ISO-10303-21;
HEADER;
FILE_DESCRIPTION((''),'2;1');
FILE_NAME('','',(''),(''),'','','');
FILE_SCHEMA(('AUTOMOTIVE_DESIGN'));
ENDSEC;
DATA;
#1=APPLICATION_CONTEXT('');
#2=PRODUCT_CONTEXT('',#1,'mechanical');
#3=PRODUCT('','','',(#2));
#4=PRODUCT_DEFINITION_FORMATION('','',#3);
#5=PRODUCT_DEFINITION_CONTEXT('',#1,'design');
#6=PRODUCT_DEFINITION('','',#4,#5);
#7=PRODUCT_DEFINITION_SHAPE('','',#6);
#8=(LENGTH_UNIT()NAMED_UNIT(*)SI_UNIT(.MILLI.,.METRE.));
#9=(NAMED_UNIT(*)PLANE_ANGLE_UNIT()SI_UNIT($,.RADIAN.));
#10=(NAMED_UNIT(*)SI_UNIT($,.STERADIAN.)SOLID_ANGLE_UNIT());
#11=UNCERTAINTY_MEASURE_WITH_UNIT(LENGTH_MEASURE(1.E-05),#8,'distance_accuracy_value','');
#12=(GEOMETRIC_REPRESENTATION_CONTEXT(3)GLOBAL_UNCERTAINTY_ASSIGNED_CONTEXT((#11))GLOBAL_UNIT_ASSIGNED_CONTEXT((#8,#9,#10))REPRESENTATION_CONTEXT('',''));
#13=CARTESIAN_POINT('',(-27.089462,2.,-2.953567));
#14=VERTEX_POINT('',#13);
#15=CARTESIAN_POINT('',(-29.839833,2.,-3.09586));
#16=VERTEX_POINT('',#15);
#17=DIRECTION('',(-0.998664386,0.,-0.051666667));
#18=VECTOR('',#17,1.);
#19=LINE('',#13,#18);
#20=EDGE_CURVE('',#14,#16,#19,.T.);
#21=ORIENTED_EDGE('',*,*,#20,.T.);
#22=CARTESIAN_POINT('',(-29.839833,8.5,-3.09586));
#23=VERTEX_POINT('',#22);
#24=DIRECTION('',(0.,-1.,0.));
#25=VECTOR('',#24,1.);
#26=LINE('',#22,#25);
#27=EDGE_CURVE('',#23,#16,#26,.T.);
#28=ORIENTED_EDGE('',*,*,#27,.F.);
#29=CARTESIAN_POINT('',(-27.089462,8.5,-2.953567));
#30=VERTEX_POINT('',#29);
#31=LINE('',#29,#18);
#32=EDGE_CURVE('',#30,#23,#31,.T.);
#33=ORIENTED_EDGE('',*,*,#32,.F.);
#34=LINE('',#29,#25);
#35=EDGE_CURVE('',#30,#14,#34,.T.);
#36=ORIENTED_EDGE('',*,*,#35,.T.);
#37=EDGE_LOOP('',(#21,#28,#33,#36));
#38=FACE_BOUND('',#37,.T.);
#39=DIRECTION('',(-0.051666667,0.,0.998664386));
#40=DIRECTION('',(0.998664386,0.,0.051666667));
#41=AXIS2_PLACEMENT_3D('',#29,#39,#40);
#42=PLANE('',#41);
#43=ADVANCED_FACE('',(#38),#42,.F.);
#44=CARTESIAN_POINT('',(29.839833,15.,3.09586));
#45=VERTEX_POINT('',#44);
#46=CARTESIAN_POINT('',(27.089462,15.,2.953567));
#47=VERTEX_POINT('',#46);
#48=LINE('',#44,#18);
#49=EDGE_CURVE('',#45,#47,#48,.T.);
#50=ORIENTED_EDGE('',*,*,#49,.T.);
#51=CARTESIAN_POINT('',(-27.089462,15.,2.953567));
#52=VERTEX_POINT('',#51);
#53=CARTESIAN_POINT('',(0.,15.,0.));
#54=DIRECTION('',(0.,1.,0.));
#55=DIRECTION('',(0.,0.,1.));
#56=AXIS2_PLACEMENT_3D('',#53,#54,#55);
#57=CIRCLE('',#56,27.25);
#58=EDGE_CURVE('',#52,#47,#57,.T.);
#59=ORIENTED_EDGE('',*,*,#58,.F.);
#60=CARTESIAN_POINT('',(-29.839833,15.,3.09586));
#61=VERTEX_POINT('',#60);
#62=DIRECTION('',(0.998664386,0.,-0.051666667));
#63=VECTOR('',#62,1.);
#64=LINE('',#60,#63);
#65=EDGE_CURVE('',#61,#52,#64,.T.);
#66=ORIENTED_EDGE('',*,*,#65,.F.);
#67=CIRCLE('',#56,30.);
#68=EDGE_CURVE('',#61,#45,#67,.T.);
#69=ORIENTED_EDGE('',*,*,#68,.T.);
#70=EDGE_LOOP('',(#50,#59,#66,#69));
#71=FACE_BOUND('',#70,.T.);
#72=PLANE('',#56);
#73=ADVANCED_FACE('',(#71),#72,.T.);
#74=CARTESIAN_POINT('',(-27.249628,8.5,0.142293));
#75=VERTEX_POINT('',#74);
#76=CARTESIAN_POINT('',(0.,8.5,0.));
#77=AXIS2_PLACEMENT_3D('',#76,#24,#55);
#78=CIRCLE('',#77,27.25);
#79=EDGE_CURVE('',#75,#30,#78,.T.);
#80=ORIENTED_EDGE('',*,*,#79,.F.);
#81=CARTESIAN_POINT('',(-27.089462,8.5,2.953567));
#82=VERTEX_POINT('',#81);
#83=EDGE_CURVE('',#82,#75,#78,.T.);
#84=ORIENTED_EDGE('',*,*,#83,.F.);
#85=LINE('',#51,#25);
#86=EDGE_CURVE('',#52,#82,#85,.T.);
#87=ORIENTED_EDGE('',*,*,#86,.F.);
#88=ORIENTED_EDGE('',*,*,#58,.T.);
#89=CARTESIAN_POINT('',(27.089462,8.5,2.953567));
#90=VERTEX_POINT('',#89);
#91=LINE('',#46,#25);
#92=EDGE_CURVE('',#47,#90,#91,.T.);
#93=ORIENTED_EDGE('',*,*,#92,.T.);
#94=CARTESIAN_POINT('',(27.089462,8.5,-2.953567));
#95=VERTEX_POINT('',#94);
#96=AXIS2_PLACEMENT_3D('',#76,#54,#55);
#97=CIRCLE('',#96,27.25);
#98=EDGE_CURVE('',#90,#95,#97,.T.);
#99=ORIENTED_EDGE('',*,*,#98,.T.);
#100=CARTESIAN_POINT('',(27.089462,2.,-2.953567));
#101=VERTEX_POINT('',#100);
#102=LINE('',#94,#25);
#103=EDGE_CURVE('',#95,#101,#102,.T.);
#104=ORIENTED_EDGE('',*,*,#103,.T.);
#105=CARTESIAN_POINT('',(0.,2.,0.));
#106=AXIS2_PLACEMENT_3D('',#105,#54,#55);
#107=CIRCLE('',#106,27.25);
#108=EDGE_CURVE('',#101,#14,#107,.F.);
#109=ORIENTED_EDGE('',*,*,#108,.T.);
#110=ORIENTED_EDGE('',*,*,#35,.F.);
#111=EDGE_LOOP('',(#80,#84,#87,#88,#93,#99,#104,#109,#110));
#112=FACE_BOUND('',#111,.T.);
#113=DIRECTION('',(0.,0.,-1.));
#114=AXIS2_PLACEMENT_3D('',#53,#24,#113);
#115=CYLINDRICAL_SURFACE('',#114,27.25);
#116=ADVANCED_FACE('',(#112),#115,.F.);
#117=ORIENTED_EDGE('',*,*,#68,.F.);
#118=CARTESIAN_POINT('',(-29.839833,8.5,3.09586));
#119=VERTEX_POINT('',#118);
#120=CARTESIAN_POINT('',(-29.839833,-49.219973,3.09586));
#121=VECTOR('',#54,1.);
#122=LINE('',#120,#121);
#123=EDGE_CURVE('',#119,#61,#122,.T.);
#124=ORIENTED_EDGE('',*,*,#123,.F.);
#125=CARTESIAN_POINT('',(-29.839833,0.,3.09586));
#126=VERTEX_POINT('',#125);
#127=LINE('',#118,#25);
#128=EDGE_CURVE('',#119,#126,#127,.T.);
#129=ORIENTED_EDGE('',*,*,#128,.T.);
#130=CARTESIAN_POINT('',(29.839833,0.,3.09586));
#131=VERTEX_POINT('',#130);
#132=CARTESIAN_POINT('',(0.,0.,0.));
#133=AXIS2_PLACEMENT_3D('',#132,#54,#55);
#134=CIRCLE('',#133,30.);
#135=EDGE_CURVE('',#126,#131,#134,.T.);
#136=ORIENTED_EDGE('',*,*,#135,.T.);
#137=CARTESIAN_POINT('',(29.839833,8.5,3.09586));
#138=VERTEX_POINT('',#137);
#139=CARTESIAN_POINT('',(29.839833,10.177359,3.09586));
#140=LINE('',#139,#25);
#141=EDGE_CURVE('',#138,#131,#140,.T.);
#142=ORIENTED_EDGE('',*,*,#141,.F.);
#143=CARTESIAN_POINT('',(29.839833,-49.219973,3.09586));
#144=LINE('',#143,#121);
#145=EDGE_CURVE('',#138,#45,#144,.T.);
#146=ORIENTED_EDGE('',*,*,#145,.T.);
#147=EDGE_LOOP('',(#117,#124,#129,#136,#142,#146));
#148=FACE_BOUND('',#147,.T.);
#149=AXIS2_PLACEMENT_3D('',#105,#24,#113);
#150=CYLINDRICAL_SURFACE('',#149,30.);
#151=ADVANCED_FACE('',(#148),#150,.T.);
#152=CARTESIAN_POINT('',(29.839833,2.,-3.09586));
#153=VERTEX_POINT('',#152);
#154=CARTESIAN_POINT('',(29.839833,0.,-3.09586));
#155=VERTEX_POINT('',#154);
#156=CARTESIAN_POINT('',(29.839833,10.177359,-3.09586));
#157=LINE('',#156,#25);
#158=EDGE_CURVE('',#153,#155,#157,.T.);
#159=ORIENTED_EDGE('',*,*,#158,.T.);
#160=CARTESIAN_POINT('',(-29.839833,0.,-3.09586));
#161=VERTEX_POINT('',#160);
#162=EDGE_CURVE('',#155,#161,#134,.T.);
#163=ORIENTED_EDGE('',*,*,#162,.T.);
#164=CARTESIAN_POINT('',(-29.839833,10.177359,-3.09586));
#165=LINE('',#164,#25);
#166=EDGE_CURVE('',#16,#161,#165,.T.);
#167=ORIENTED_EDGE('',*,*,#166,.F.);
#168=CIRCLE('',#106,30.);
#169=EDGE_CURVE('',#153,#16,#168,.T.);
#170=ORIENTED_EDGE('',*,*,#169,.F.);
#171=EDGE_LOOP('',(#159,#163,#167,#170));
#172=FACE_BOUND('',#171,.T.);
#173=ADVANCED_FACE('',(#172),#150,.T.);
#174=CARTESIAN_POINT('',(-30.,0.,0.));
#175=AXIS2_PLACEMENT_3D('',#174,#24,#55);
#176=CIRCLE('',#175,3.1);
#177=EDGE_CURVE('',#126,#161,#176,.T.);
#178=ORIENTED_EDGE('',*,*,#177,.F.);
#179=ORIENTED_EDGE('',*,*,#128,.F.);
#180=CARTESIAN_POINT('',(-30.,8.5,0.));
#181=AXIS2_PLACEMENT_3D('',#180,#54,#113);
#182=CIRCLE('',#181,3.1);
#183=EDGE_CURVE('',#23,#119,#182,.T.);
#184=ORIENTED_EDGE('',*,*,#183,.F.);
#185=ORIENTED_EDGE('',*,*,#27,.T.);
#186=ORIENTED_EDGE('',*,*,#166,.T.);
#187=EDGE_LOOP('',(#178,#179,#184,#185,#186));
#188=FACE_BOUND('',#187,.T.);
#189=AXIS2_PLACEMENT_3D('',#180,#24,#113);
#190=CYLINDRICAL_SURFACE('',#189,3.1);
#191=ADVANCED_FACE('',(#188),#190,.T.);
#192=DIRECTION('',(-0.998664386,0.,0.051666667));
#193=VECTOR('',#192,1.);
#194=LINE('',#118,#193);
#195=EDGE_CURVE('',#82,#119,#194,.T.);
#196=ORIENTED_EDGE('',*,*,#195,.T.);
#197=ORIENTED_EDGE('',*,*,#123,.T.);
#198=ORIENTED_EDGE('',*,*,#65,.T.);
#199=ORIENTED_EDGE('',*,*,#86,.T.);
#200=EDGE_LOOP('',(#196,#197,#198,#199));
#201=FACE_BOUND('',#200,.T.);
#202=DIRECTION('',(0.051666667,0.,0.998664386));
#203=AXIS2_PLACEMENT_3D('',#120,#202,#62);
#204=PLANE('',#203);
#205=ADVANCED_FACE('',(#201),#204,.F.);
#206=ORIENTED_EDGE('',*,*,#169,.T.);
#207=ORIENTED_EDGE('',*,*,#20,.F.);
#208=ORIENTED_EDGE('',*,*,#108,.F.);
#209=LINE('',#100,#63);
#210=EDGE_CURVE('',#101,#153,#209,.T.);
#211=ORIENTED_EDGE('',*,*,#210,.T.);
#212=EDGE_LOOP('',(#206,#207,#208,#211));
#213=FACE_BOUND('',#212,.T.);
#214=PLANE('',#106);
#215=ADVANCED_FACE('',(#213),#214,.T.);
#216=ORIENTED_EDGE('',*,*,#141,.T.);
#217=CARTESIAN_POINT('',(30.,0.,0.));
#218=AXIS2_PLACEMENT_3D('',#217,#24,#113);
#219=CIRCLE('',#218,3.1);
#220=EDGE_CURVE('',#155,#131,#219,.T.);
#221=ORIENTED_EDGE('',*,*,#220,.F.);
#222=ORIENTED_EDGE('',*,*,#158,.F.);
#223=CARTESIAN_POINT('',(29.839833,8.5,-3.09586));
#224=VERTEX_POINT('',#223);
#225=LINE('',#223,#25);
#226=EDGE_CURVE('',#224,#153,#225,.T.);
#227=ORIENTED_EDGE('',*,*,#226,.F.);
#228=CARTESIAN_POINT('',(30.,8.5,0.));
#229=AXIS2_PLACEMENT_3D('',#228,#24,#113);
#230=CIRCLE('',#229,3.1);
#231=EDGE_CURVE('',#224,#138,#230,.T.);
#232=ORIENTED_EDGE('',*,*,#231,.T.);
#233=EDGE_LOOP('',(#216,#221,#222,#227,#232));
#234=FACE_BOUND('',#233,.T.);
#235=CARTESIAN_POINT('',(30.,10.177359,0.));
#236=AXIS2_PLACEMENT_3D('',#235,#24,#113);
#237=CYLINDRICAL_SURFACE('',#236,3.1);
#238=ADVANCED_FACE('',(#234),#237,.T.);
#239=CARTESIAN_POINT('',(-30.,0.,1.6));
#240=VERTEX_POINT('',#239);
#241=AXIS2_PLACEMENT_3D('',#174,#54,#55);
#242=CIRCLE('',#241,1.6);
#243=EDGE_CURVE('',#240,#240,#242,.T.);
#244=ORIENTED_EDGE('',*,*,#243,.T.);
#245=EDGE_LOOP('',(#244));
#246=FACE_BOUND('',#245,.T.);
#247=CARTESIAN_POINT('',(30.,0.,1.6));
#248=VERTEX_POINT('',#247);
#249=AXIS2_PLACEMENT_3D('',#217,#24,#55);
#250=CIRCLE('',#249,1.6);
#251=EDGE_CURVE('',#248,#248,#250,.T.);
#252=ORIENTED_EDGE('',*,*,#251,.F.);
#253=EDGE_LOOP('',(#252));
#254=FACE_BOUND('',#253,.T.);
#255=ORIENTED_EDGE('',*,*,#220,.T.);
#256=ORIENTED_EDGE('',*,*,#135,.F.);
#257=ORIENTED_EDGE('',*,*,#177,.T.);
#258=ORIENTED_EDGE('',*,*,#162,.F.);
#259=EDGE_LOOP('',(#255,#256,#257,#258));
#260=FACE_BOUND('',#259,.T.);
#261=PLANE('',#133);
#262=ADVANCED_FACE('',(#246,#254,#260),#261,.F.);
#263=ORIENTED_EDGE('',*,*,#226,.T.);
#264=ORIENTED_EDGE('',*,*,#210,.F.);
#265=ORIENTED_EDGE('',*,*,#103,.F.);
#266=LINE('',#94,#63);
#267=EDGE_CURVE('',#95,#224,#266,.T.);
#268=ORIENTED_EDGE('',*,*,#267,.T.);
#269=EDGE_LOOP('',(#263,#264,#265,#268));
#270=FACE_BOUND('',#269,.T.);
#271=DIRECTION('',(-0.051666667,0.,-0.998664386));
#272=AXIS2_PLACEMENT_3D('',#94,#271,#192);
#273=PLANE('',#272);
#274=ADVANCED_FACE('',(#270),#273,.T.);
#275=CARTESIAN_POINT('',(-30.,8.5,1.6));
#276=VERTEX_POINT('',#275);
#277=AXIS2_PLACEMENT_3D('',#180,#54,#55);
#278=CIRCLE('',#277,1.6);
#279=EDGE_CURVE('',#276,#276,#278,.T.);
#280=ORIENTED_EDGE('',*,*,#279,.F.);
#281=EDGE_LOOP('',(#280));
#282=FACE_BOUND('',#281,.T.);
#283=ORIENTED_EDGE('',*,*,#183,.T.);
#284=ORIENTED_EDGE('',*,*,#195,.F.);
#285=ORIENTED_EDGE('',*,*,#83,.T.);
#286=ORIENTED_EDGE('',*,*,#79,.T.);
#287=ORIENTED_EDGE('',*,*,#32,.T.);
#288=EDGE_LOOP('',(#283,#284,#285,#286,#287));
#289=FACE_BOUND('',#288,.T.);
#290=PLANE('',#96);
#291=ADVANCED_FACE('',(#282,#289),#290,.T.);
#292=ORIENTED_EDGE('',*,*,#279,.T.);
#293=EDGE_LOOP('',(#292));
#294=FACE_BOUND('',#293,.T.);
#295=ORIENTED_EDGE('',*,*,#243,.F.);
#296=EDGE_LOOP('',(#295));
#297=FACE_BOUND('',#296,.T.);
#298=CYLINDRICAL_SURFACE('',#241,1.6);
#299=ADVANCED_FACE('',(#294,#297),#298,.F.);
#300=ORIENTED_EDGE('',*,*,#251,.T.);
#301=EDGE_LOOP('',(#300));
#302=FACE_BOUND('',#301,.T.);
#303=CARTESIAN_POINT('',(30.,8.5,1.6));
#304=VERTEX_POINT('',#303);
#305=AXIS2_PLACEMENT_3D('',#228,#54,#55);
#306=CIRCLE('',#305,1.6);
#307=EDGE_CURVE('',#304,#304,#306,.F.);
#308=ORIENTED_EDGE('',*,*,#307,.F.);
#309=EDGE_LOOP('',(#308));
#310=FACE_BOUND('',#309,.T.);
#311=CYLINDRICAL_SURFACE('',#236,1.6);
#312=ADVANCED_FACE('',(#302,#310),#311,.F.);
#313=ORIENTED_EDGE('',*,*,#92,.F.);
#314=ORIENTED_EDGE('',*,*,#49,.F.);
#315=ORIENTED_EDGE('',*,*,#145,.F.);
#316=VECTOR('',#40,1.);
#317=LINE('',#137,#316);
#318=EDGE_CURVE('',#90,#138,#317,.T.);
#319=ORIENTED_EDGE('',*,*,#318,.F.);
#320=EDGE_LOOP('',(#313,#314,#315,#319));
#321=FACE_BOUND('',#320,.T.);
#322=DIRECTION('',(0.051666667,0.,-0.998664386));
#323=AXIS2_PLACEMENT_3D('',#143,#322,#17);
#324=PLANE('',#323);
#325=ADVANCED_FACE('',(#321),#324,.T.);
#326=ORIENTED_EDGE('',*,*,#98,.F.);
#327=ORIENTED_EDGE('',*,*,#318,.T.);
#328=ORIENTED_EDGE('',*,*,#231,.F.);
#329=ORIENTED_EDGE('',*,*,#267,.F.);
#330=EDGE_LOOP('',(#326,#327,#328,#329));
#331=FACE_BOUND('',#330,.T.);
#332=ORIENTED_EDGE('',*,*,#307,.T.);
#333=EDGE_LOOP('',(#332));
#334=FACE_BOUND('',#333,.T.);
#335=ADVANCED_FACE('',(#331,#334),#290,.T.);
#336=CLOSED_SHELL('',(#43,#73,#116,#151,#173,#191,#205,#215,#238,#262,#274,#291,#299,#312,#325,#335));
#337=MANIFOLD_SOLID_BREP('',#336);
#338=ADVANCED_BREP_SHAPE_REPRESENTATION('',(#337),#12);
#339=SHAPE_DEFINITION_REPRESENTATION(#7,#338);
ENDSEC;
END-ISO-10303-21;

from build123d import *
from build123d.topology import SkipClean

# Parameters (mm, degrees)
SKETCH1_R           = 30
BOSS_EXTRUDE1_DEPTH = 2
SKETCH2_R           = 30
SKETCH2_R_2         = 27.25
BOSS_EXTRUDE2_DEPTH = 13
SKETCH6_W           = 70.354882949
SKETCH6_H           = 43.333649447
CUT_EXTRUDE4_DEPTH  = 13
BOSS_EXTRUDE3_DEPTH = 6.5
SKETCH8_R           = 1.6
CUT_EXTRUDE5_DEPTH  = 48.123348777
CUT_EXTRUDE6_DEPTH  = 6.5
SKETCH10_R          = 1.6
BOSS_EXTRUDE4_DEPTH = 2


with BuildPart() as part:
    # Sketch1 → Boss-Extrude1 (new body)
    with BuildSketch(Plane(origin=(0, 0, 0), x_dir=(1, 0, 0), z_dir=(0, 1, 0))):
        with Locations(Location((0, 0, 0), (0, 0, 270))):
            Circle(SKETCH1_R)
    extrude(amount=BOSS_EXTRUDE1_DEPTH)

    # Sketch2 → Boss-Extrude2 (add)
    with BuildSketch(Plane(origin=(0, 2, 0), x_dir=(1, 0, 0), z_dir=(0, 1, 0))):
        with Locations(Location((0, 0, 0), (0, 0, 270))):
            Circle(SKETCH2_R)
        with Locations(Location((0, 0, 0), (0, 0, 90))):
            Circle(SKETCH2_R_2, mode=Mode.SUBTRACT)
    extrude(amount=BOSS_EXTRUDE2_DEPTH)

    # Sketch6 → Cut-Extrude4 (cut)
    with BuildSketch(Plane(origin=(0, 15, 0), x_dir=(1, 0, 0), z_dir=(0, 1, 0))):
        with Locations((0.677303789, 21.666824724)):
            Rectangle(SKETCH6_W, SKETCH6_H)
    extrude(amount=-CUT_EXTRUDE4_DEPTH, mode=Mode.SUBTRACT)

    # Sketch7 → Boss-Extrude3 (add)
    with BuildSketch(Plane(origin=(0, 2, 0), x_dir=(1, 0, 0), z_dir=(0, 1, 0))):
        with BuildLine():
            Line((-29.839833333, -3.095859596), (-27.104515278, -2.812072466))
            ThreePointArc((-27.104515278, -2.812072466), (-27.249907122, 0.071146531), (-27.089461823, 2.95356702))
            Line((-27.089461823, 2.95356702), (-29.839833333, 3.095859596))
            ThreePointArc((-29.839833333, 3.095859596), (-33.1, 0), (-29.839833333, -3.095859596))
        make_face()
    boss_extrude3 = extrude(amount=BOSS_EXTRUDE3_DEPTH)

    # Sketch8 → Cut-Extrude5 (cut, through all)
    with BuildSketch(Plane(origin=(0, 15, 0), x_dir=(1, 0, 0), z_dir=(0, 1, 0))):
        with Locations(Location((-30, 0, 0), (0, 0, 271.528068595))):
            Circle(SKETCH8_R)
    cut_extrude5 = extrude(amount=-CUT_EXTRUDE5_DEPTH, mode=Mode.SUBTRACT)

    # Sketch9 → Cut-Extrude6 (cut)
    with BuildSketch(Plane(origin=(0, 15, 0), x_dir=(1, 0, 0), z_dir=(0, 1, 0))):
        Polygon((-29.839833333, -3.095859596), (27.24962849, -0.142292576), (-26.876929026, 0), (-30.387259787, 0), align=None)
    cut_extrude6 = extrude(amount=-CUT_EXTRUDE6_DEPTH, mode=Mode.SUBTRACT)

    # Sketch10 → Boss-Extrude4 (add)
    # profile 1 of 2: a face of its own
    with SkipClean():  # the faces are left unmerged after this step: merging them gives an invalid solid
        with BuildSketch(Plane.XZ):
            with BuildLine():
                Line((-29.839833333, -3.095859596), (-27.768095558, -1.6))
                Line((-27.768095558, -1.6), (-27.768095558, 1.42157282))
                Line((-27.768095558, 1.42157282), (-29.839833333, 3.095859596))
                ThreePointArc((-29.839833333, 3.095859596), (-33.1, 0), (-29.839833333, -3.095859596))
            make_face()
            with Locations(Location((-30, 0, 0), (0, 0, 90))):
                Circle(SKETCH10_R, mode=Mode.SUBTRACT)
        # profile 2 of 2: a face of its own
        with BuildSketch(Plane.XZ):
            with BuildLine():
                Line((27.768095558, 1.42157282), (29.839833333, 3.095859596))
                ThreePointArc((29.839833333, 3.095859596), (33.1, 0), (29.839833333, -3.095859596))
                Line((29.839833333, -3.095859596), (27.768095558, -1.6))
                Line((27.768095558, -1.6), (27.768095558, 1.42157282))
            make_face()
            with Locations((30, 0)):
                Circle(SKETCH10_R, mode=Mode.SUBTRACT)
        extrude(amount=-BOSS_EXTRUDE4_DEPTH)

    # Mirror2: Boss-Extrude3, Cut-Extrude5, Cut-Extrude6 across plane
    with SkipClean():  # the faces are left unmerged after this step: merging them gives an invalid solid
        add(boss_extrude3.mirror(Plane(origin=(0, 0, 0), x_dir=(0, 0, 1), z_dir=(1, 0, 0))))
        add(cut_extrude5.mirror(Plane(origin=(0, 0, 0), x_dir=(0, 0, 1), z_dir=(1, 0, 0))), mode=Mode.SUBTRACT)
        add(cut_extrude6.mirror(Plane(origin=(0, 0, 0), x_dir=(0, 0, 1), z_dir=(1, 0, 0))), mode=Mode.SUBTRACT)


solid = part.part
